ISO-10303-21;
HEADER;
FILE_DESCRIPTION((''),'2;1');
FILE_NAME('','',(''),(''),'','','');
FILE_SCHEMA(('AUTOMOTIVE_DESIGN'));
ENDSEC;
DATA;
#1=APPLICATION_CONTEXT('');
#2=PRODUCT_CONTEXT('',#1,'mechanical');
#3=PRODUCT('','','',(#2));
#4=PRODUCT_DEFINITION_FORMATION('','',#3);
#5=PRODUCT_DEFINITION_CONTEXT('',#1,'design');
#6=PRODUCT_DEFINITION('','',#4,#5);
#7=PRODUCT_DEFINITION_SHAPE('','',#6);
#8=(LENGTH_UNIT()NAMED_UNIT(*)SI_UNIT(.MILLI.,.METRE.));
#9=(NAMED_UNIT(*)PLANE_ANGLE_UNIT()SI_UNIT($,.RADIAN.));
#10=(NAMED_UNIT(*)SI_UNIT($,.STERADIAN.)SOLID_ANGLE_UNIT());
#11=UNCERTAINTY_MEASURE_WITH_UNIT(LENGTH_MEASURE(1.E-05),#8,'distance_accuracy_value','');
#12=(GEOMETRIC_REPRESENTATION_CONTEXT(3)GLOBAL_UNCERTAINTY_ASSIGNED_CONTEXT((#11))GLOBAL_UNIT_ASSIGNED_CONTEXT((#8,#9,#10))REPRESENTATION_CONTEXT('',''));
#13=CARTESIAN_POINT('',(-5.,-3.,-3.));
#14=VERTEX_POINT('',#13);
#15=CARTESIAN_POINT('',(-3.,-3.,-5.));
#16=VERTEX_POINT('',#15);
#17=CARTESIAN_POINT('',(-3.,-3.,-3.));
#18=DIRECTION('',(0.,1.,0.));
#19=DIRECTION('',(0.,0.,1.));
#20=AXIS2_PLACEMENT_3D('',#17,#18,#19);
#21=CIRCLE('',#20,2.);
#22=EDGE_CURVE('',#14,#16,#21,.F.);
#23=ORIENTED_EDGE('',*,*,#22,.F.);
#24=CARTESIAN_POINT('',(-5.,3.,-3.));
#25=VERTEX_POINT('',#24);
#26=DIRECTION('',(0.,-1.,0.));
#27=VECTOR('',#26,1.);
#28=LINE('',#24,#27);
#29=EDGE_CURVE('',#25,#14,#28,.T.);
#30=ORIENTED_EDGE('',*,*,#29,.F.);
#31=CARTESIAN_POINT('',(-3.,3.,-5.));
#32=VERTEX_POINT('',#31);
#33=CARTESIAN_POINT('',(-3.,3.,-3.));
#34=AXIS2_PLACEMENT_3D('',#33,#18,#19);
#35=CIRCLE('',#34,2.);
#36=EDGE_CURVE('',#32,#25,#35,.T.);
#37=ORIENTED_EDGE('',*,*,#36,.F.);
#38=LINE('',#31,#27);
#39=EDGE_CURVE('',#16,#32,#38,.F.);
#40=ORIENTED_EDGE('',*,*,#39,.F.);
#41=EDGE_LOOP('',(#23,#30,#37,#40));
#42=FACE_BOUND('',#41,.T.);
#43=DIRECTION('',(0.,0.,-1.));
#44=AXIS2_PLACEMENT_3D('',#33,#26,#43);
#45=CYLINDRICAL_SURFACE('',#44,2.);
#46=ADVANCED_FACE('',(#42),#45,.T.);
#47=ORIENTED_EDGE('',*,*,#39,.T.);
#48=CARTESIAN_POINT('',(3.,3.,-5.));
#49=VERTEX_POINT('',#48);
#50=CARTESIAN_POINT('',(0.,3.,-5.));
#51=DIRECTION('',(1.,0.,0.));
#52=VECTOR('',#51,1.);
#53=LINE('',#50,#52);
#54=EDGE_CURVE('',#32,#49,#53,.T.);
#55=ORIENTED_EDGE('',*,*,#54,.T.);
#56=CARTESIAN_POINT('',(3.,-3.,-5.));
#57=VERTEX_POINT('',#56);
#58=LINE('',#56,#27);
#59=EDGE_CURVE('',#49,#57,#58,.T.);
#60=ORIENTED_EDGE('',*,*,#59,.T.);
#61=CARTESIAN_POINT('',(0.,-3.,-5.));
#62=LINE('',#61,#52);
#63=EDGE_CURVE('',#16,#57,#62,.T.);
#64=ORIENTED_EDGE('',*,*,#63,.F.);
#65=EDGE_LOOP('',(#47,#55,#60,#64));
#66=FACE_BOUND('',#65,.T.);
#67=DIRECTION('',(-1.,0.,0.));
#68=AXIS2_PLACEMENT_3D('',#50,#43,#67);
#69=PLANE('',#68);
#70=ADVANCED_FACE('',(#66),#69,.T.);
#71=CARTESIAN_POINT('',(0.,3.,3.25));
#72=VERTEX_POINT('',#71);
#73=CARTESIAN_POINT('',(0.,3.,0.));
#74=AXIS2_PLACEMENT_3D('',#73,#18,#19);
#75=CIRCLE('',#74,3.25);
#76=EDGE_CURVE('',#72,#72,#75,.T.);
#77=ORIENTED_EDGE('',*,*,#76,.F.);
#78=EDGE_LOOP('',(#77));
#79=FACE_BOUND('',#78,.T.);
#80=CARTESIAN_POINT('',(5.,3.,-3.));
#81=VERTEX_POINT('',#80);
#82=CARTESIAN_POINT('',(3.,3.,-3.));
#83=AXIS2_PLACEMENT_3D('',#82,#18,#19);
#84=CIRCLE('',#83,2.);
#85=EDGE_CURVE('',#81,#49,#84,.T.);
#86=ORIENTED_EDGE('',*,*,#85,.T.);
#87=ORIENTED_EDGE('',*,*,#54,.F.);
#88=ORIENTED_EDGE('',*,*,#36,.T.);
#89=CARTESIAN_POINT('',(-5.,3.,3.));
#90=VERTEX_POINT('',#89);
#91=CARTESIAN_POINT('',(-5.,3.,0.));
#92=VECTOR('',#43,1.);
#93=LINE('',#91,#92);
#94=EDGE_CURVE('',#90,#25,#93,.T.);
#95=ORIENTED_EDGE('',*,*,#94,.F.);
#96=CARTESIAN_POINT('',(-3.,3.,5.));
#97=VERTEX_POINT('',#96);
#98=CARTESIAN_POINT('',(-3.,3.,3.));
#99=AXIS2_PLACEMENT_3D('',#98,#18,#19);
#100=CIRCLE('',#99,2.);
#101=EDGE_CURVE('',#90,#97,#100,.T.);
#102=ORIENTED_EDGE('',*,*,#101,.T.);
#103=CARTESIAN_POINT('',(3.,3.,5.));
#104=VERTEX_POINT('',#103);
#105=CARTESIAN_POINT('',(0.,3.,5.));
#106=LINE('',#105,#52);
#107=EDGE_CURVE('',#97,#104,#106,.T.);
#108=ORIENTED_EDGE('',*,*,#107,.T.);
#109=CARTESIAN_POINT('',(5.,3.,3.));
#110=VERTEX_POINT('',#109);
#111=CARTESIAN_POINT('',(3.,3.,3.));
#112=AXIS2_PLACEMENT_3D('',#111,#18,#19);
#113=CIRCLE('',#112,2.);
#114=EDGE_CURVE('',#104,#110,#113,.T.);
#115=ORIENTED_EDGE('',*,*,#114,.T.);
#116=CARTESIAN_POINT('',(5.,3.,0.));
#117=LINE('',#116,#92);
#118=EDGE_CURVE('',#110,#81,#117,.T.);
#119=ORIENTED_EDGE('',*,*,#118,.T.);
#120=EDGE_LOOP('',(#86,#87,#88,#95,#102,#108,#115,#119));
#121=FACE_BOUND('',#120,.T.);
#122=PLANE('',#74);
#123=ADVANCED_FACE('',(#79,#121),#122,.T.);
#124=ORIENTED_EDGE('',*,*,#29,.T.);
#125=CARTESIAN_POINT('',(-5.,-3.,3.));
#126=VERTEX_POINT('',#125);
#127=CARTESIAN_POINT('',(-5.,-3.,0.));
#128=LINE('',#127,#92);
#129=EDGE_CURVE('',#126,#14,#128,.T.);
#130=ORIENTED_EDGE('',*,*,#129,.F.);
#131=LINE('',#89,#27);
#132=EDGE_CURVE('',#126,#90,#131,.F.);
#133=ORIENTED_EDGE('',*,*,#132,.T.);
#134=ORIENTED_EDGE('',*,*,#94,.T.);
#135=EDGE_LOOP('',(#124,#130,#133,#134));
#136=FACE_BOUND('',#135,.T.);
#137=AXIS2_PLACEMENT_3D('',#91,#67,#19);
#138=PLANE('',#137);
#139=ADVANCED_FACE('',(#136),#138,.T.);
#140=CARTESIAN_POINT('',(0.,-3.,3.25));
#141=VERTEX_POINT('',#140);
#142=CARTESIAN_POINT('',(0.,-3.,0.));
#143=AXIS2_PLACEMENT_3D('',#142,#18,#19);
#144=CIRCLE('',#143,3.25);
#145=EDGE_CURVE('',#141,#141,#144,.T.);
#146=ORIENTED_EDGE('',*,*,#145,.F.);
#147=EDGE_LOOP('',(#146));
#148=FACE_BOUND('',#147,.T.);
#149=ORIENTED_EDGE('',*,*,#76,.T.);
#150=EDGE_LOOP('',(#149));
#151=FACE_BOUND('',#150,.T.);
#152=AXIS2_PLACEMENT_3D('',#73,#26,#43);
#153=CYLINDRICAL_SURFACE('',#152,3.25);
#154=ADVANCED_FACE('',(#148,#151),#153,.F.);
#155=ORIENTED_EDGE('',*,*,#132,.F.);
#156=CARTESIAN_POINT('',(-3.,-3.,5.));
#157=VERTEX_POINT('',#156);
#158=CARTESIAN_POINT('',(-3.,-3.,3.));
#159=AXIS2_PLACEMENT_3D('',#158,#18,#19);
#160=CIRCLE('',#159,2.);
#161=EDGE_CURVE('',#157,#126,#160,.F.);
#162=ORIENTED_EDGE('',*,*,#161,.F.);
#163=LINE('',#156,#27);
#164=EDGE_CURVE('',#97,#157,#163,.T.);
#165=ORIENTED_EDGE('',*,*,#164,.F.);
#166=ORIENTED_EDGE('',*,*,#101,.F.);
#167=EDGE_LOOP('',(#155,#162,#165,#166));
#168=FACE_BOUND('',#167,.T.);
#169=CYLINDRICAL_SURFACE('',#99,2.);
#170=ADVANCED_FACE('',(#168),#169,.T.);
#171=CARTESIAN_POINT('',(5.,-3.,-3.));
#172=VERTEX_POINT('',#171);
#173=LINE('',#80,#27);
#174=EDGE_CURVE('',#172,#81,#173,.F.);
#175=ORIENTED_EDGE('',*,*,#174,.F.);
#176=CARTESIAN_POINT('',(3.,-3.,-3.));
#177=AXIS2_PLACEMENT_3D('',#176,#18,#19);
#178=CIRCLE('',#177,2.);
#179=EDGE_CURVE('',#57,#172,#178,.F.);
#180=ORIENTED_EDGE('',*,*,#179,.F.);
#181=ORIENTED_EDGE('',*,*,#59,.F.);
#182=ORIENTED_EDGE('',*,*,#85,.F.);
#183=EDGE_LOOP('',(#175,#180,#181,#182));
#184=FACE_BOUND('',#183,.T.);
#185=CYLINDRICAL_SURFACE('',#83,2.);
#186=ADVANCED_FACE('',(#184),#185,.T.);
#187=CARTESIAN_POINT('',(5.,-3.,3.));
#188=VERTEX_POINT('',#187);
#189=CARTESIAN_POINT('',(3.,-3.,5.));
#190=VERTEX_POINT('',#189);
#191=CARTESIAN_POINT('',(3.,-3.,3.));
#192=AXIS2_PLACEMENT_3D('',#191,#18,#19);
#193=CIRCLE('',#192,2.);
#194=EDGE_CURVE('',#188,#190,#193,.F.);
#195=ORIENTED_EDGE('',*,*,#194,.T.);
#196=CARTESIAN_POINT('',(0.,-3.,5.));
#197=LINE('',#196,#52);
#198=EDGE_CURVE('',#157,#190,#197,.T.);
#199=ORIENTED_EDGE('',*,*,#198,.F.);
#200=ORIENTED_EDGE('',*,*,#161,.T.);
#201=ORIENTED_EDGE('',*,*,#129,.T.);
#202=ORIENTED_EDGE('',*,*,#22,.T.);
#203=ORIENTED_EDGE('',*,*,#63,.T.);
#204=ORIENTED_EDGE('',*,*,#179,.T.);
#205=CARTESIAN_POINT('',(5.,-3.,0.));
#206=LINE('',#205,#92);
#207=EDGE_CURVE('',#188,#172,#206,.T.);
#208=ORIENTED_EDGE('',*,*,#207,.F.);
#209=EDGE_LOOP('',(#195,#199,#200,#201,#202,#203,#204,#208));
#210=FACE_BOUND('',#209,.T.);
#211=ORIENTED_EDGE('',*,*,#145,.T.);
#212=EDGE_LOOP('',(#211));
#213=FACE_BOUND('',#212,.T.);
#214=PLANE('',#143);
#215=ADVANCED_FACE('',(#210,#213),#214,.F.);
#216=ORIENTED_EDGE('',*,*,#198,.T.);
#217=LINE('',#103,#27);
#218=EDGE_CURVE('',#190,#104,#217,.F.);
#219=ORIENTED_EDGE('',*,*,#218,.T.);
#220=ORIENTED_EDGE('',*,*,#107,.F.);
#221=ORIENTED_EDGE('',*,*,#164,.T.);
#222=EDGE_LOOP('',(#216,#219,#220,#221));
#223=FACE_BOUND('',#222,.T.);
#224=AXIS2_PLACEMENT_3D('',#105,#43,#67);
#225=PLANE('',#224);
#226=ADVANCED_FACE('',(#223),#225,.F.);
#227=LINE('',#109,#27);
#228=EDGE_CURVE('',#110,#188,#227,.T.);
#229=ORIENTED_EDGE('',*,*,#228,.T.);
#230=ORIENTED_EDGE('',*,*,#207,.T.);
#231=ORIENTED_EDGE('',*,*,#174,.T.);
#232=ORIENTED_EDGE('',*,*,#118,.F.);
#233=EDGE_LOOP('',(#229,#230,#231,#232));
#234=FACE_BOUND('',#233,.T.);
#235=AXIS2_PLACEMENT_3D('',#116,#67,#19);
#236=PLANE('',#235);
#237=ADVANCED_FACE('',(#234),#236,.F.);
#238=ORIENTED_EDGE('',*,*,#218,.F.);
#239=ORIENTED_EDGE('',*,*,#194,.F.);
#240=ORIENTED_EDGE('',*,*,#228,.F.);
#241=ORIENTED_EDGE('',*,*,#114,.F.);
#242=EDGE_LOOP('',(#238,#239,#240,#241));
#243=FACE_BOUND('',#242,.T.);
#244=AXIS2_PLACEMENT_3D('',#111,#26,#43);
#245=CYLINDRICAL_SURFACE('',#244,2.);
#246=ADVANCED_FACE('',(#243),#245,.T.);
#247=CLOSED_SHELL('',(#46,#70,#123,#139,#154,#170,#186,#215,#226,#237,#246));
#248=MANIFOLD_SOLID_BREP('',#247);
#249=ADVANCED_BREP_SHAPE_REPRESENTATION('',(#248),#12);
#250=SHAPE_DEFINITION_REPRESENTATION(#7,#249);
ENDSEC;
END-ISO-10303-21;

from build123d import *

# Parameters (mm, degrees)
SKETCH1_R           = 5
SKETCH1_R_2         = 3.25
BOSS_EXTRUDE1_DEPTH = 3
FILLET1_R           = 2


with BuildPart() as part:
    # Sketch1 → Boss-Extrude1 (new body, symmetric)
    with BuildSketch(Plane(origin=(0, 0, 0), x_dir=(1, 0, 0), z_dir=(0, 1, 0))):
        with BuildLine():
            Line((-5, 5), (-5, 0))
            ThreePointArc((-5, 0), (-3.535533906, 3.535533906), (0, 5))
            Line((0, 5), (-5, 5))
        make_face()
        Circle(SKETCH1_R)
        Circle(SKETCH1_R_2, mode=Mode.SUBTRACT)
        with BuildLine():
            ThreePointArc((0, 5), (3.535533906, 3.535533906), (5, 0))
            Line((5, 0), (5, 5))
            Line((5, 5), (0, 5))
        make_face()
        with BuildLine():
            ThreePointArc((5, 0), (3.535533906, -3.535533906), (0, -5))
            Line((0, -5), (5, -5))
            Line((5, -5), (5, 0))
        make_face()
        with BuildLine():
            Line((-5, 0), (-5, -5))
            Line((-5, -5), (0, -5))
            ThreePointArc((0, -5), (-3.535533906, -3.535533906), (-5, 0))
        make_face()
    extrude(amount=BOSS_EXTRUDE1_DEPTH, both=True)

    # Fillet1
    fillet1_edges = [part.edges().sort_by_distance(p)[0] for p in [
        (-5, 0, -5),
        (5, 0, -5),
        (5, 0, 5),
        (-5, 0, 5),
    ]]
    fillet(fillet1_edges, radius=FILLET1_R)


solid = part.part
